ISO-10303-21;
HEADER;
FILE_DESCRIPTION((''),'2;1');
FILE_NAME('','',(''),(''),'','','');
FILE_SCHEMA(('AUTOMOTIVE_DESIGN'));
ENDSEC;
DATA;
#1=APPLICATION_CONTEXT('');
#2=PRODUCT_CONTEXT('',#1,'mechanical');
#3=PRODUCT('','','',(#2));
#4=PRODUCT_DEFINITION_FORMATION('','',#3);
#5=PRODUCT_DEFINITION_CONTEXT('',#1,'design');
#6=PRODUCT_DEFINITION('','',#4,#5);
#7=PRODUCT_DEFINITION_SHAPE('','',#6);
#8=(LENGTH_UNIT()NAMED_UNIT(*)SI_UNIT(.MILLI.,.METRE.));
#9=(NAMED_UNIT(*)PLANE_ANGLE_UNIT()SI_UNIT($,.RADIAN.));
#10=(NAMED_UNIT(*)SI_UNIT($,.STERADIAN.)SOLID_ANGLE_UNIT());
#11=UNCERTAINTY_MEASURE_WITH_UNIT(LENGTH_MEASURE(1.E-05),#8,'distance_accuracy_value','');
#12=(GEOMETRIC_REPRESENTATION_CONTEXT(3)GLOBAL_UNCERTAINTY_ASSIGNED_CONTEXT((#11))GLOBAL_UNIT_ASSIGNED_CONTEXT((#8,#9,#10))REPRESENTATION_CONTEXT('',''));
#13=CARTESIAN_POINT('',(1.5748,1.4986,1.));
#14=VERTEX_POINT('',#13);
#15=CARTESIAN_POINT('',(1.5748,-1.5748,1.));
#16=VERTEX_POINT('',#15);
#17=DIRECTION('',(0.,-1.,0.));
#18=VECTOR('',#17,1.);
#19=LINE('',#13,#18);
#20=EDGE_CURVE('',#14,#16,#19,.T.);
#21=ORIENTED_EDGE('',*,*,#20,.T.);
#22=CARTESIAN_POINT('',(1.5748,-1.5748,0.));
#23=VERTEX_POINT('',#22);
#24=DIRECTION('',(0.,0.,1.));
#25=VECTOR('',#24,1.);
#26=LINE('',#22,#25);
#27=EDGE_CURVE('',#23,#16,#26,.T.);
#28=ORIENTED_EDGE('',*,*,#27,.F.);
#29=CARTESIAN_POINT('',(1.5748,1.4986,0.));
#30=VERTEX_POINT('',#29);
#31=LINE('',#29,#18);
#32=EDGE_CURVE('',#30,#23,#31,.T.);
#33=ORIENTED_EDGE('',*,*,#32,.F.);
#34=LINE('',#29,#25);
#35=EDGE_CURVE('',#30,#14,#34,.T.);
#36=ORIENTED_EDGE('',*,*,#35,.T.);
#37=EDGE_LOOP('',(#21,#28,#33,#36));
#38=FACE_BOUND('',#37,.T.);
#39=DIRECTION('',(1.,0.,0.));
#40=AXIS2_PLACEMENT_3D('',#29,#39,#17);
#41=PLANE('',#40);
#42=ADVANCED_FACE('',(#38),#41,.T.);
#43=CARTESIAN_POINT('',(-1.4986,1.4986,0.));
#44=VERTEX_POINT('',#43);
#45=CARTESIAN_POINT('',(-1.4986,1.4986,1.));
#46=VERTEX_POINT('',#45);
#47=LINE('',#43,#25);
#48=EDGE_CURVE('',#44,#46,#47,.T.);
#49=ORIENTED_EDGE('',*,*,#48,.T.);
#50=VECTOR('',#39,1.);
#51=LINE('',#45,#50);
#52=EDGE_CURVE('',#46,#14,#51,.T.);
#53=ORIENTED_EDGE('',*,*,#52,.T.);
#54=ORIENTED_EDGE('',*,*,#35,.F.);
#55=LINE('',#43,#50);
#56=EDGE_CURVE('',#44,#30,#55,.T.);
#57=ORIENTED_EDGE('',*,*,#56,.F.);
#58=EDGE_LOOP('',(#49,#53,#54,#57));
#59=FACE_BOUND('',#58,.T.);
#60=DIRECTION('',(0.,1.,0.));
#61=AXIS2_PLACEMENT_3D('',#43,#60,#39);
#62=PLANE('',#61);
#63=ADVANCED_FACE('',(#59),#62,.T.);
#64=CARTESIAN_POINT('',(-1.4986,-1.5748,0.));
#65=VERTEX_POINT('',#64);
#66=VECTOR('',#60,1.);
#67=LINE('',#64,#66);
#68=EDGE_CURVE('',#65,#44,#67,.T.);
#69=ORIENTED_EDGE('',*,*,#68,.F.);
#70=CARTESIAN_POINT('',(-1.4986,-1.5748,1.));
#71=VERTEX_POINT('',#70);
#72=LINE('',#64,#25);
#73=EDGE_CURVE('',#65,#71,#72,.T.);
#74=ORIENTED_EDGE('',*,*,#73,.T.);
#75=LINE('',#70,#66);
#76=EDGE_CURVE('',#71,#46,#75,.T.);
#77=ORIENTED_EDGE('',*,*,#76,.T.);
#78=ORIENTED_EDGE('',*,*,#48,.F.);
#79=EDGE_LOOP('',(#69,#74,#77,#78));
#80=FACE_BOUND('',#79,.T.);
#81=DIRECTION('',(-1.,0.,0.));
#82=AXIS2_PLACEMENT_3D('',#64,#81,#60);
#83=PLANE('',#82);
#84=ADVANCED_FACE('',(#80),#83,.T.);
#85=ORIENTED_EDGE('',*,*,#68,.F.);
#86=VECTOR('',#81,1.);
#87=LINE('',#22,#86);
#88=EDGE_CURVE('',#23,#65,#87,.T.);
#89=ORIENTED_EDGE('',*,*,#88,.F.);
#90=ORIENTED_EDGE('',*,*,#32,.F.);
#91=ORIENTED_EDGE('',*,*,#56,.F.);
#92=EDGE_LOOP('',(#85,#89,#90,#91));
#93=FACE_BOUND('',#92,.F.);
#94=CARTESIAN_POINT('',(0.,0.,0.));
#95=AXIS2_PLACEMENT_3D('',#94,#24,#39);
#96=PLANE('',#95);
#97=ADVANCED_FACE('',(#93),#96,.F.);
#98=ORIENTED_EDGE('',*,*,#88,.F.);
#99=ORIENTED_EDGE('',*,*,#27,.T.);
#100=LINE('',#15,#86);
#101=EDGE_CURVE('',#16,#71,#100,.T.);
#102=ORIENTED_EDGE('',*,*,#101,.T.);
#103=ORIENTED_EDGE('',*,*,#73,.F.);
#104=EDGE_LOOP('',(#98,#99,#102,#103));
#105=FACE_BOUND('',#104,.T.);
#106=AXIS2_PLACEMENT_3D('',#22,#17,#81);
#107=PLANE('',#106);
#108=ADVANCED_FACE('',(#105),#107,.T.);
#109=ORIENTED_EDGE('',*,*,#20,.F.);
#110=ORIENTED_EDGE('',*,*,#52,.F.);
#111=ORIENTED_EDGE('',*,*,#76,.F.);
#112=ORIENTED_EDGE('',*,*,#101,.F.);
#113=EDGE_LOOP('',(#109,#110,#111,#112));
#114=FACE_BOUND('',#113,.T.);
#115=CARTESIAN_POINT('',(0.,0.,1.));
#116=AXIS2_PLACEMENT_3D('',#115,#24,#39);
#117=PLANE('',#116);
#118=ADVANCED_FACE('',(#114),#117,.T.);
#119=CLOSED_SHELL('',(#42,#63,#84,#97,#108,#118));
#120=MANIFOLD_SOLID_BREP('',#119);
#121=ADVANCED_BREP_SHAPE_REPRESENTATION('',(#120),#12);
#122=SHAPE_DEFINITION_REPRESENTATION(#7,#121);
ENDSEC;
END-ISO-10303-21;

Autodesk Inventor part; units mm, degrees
ref_plane "YZ Plane" through (0, 0, 0) normal (1, 0, 0) x (0, 1, 0)
ref_plane "XZ Plane" through (0, 0, 0) normal (0, 1, 0) x (-1, 0, 0)
ref_plane "XY Plane" through (0, 0, 0) normal (0, 0, 1) x (1, 0, 0)
sketch "DFN300X300X80-11N, LTC4413EDDPBF_106" plane through (0, 0, 0) normal (0, 0, 1) x (1, 0, 0)
  line L0 (-1.4986, 1.4986) -> (1.5748, 1.4986)
  line L1 (1.5748, 1.4986) -> (1.5748, -1.5748)
  line L2 (1.5748, -1.5748) -> (-1.4986, -1.5748)
  line L3 (-1.4986, -1.5748) -> (-1.4986, 1.4986)
extrude "Extrusion1" add sketch "DFN300X300X80-11N, LTC4413EDDPBF_106" along normal blind 1
properties part number "LTC4413EDDPBF"
